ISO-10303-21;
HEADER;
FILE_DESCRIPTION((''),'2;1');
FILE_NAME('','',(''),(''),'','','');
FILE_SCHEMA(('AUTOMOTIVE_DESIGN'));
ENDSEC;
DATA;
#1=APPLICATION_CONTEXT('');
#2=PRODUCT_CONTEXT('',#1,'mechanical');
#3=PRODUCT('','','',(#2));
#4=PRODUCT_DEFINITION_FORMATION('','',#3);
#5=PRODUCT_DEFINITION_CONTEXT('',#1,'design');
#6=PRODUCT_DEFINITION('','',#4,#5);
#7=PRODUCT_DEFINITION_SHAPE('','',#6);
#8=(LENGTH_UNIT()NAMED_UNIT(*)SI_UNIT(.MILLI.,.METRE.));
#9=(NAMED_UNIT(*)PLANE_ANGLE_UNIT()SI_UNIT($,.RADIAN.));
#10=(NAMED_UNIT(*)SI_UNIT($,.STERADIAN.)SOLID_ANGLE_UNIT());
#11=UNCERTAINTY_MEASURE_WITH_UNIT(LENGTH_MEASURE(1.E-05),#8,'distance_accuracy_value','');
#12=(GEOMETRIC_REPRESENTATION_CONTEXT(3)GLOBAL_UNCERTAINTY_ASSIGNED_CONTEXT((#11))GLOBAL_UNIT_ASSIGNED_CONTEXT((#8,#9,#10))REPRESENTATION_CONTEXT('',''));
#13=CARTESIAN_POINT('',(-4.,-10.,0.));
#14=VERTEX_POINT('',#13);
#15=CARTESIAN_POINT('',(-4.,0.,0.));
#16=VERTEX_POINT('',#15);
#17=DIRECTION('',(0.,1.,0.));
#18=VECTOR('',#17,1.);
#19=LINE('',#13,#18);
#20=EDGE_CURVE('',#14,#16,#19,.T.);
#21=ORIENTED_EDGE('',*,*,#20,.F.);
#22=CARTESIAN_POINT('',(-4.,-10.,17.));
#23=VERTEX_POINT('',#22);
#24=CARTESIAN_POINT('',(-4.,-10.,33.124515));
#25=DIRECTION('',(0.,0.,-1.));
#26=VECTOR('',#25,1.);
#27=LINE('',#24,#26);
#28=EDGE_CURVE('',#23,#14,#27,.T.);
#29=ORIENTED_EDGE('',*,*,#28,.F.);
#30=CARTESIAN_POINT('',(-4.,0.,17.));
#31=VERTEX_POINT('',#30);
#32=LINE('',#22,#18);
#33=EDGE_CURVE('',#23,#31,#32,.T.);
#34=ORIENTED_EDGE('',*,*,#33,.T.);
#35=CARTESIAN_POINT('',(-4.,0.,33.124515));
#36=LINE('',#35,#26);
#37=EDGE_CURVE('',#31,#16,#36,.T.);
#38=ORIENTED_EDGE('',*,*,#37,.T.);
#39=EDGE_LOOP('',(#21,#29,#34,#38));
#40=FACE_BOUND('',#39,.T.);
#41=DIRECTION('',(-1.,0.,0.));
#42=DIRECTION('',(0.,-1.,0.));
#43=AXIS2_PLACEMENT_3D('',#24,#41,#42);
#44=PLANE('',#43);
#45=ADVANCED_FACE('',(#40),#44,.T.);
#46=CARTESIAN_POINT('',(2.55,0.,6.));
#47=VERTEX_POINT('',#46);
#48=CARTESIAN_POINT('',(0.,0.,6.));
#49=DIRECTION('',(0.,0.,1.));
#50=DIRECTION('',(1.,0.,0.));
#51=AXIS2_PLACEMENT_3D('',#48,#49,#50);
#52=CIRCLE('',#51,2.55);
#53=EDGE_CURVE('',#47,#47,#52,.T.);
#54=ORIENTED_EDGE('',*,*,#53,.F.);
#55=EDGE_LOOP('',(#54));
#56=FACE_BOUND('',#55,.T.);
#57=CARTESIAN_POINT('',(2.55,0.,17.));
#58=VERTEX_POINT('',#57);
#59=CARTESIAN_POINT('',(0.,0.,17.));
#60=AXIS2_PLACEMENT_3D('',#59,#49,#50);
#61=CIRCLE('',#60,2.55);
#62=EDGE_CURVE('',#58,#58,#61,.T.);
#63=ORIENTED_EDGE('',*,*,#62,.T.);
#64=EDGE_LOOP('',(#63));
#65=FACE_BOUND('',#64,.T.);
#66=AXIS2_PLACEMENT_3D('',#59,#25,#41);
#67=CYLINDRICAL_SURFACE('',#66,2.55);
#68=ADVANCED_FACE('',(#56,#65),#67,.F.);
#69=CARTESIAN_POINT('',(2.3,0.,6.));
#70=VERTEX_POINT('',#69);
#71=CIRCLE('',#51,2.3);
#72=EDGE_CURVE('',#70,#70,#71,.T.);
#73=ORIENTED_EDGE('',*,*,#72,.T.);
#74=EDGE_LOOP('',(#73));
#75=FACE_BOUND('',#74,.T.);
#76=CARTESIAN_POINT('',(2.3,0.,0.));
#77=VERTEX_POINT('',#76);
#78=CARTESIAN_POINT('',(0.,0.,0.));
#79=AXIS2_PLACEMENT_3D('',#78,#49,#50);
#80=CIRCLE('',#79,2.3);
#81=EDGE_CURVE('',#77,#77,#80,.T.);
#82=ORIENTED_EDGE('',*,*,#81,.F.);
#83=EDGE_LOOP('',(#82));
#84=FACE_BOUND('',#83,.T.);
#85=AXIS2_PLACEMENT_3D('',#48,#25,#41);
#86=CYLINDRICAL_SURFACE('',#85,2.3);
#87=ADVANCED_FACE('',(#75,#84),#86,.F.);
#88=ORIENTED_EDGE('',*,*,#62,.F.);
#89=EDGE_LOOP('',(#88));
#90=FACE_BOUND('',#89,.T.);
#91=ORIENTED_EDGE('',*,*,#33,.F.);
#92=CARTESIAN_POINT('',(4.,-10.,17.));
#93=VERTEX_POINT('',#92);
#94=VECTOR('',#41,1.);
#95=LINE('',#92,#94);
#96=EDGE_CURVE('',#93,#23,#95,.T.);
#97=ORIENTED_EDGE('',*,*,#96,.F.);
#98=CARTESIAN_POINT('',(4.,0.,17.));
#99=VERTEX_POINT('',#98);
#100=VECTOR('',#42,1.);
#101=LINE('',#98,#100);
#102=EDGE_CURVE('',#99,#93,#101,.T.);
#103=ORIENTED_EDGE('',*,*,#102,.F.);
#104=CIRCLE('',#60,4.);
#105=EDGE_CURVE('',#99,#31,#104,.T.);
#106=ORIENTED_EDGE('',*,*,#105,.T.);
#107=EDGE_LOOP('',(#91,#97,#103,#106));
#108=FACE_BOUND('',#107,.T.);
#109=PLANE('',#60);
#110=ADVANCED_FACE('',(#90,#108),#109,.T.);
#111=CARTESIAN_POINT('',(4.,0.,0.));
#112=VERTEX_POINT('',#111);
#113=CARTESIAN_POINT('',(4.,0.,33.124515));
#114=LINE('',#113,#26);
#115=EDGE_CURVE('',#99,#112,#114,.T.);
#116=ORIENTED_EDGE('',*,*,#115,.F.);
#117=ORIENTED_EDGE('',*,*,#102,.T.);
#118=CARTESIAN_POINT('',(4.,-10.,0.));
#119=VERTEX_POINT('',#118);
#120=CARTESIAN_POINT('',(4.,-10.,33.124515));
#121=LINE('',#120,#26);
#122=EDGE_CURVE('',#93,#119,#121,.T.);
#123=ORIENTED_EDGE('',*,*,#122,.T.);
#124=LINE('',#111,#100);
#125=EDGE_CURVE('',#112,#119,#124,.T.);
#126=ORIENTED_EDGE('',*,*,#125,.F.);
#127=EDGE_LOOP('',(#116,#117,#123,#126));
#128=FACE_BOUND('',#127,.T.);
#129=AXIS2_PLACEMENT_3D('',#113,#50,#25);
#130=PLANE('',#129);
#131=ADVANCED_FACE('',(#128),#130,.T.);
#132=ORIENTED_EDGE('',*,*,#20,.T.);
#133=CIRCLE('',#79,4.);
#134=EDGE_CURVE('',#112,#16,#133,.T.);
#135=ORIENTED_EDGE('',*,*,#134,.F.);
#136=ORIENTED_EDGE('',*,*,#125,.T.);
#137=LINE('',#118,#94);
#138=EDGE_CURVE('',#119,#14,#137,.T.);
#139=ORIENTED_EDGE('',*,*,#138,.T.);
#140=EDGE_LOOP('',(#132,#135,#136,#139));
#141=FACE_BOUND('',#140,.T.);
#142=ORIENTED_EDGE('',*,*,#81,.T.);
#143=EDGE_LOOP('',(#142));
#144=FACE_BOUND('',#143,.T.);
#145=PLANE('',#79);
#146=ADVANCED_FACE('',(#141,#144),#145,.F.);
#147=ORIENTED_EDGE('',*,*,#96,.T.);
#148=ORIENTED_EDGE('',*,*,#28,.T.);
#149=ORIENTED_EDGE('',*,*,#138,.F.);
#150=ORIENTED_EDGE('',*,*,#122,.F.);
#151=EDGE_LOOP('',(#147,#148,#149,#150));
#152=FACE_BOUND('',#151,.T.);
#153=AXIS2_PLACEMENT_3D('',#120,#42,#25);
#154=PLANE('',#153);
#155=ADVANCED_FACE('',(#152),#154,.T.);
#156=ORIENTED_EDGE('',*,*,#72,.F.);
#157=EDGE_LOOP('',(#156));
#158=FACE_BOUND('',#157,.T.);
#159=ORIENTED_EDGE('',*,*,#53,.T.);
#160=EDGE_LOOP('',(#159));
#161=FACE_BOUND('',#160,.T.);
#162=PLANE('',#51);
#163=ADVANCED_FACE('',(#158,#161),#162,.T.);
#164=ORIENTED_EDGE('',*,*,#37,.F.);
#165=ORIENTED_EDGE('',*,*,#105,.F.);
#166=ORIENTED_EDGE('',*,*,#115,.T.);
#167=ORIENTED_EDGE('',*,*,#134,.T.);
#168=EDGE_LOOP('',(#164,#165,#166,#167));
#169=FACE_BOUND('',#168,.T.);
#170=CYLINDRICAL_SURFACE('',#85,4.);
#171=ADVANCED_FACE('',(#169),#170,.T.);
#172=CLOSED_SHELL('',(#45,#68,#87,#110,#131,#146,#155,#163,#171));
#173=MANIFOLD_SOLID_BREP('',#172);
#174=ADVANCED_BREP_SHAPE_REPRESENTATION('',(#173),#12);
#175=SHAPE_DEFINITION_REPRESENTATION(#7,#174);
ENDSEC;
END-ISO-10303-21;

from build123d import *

# Parameters (mm, degrees)
SKETCH1_R           = 4
SKETCH1_R_2         = 2.3
BOSS_EXTRUDE1_DEPTH = 6
SKETCH2_R           = 4
SKETCH2_R_2         = 2.55
BOSS_EXTRUDE2_DEPTH = 11
SKETCH3_R           = 2.55
BOSS_EXTRUDE3_DEPTH = 17


with BuildPart() as part:
    # Sketch1 → Boss-Extrude1 (new body)
    with BuildSketch(Plane.XY):
        Circle(SKETCH1_R)
        Circle(SKETCH1_R_2, mode=Mode.SUBTRACT)
    extrude(amount=BOSS_EXTRUDE1_DEPTH)

    # Sketch2 → Boss-Extrude2 (add)
    with BuildSketch(Plane.XY.offset(6)):
        Circle(SKETCH2_R)
        Circle(SKETCH2_R_2, mode=Mode.SUBTRACT)
    extrude(amount=BOSS_EXTRUDE2_DEPTH)

    # Sketch3 → Boss-Extrude3 (add)
    with BuildSketch(Plane(origin=(0, 0, 0), x_dir=(-1, 0, 0), z_dir=(0, 0, -1))):
        with BuildLine():
            Line((-4, 0), (-4, -10))
            Line((-4, -10), (4, -10))
            Line((4, -10), (4, 0))
            ThreePointArc((4, 0), (0, 4), (-4, 0))
        make_face()
        with Locations(Location((0, 0, 0), (0, 0, 180))):
            Circle(SKETCH3_R, mode=Mode.SUBTRACT)
    extrude(amount=-BOSS_EXTRUDE3_DEPTH)


solid = part.part
